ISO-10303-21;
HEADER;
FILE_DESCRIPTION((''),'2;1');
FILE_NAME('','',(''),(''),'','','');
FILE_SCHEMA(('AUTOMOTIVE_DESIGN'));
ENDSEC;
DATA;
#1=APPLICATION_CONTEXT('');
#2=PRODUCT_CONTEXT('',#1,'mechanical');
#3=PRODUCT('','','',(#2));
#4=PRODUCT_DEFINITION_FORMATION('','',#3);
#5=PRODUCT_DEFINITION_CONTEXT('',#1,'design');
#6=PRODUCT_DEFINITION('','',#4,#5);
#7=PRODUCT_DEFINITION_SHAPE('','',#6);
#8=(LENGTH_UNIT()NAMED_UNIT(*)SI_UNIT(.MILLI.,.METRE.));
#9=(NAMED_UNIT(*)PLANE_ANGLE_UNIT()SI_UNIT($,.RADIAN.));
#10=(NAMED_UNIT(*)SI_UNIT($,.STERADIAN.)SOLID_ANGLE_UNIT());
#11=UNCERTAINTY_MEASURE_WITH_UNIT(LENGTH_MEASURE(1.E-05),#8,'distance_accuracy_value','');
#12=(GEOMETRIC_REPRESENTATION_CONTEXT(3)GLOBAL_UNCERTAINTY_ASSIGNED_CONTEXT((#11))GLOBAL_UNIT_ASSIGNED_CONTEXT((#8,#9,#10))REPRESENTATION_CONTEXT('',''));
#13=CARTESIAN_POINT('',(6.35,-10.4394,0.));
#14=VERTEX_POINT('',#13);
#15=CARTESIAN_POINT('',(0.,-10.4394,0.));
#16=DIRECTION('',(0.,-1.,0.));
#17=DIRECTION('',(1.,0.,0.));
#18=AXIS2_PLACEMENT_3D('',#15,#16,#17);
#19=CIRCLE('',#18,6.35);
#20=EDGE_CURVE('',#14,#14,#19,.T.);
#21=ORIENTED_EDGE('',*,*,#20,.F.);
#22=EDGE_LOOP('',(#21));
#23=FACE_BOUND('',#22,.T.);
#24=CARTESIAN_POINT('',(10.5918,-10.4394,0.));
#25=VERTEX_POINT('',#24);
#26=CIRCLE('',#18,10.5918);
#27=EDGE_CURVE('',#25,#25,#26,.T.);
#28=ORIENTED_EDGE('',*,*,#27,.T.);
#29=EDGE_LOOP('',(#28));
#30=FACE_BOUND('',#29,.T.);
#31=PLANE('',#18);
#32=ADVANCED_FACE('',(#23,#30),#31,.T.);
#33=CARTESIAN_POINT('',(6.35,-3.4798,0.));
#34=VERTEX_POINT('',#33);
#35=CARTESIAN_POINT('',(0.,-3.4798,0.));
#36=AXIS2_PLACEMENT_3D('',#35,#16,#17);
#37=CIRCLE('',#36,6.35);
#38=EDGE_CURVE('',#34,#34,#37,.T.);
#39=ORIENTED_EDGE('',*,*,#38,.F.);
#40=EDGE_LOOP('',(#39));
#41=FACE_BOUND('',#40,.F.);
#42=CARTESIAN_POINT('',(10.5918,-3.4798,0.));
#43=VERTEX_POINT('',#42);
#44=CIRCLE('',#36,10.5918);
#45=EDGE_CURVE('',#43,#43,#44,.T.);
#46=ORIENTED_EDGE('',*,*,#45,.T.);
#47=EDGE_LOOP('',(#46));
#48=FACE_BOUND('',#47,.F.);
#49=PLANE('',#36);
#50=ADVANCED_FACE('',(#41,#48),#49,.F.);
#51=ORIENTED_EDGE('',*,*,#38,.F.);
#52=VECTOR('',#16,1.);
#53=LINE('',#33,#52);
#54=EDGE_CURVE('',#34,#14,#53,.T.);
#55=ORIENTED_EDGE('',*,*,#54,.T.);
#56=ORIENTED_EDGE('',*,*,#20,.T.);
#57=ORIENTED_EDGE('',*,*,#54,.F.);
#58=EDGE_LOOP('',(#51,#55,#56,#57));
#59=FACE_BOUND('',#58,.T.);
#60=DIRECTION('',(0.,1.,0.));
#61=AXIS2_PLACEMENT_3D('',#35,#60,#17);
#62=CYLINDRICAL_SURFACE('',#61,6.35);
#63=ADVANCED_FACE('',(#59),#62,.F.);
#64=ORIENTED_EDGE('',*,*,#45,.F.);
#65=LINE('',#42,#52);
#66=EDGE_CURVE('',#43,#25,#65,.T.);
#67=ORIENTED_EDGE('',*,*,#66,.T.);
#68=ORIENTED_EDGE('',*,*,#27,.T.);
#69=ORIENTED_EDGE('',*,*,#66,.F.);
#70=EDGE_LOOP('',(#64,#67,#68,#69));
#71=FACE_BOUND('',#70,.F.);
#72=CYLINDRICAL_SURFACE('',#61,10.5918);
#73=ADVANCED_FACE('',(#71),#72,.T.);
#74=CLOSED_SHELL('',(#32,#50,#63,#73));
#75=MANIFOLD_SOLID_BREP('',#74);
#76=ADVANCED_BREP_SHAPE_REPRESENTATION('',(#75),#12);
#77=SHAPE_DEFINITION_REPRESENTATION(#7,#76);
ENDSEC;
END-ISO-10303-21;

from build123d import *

# Parameters (mm, degrees)
F0_R     = 10.5918
F0_R_2   = 6.35
F1_DEPTH = 6.9596


with BuildPart() as f1:
    # F0 (on Front) → F1 (new body)
    with BuildSketch(Plane.XZ):
        Circle(F0_R)
        Circle(F0_R_2, mode=Mode.SUBTRACT)
    extrude(amount=F1_DEPTH)


with BuildPart() as f1_1:
    # F2: moved
    add(f1.part.moved(Location((0, -3.4798, 0))))


solid = f1_1.part
